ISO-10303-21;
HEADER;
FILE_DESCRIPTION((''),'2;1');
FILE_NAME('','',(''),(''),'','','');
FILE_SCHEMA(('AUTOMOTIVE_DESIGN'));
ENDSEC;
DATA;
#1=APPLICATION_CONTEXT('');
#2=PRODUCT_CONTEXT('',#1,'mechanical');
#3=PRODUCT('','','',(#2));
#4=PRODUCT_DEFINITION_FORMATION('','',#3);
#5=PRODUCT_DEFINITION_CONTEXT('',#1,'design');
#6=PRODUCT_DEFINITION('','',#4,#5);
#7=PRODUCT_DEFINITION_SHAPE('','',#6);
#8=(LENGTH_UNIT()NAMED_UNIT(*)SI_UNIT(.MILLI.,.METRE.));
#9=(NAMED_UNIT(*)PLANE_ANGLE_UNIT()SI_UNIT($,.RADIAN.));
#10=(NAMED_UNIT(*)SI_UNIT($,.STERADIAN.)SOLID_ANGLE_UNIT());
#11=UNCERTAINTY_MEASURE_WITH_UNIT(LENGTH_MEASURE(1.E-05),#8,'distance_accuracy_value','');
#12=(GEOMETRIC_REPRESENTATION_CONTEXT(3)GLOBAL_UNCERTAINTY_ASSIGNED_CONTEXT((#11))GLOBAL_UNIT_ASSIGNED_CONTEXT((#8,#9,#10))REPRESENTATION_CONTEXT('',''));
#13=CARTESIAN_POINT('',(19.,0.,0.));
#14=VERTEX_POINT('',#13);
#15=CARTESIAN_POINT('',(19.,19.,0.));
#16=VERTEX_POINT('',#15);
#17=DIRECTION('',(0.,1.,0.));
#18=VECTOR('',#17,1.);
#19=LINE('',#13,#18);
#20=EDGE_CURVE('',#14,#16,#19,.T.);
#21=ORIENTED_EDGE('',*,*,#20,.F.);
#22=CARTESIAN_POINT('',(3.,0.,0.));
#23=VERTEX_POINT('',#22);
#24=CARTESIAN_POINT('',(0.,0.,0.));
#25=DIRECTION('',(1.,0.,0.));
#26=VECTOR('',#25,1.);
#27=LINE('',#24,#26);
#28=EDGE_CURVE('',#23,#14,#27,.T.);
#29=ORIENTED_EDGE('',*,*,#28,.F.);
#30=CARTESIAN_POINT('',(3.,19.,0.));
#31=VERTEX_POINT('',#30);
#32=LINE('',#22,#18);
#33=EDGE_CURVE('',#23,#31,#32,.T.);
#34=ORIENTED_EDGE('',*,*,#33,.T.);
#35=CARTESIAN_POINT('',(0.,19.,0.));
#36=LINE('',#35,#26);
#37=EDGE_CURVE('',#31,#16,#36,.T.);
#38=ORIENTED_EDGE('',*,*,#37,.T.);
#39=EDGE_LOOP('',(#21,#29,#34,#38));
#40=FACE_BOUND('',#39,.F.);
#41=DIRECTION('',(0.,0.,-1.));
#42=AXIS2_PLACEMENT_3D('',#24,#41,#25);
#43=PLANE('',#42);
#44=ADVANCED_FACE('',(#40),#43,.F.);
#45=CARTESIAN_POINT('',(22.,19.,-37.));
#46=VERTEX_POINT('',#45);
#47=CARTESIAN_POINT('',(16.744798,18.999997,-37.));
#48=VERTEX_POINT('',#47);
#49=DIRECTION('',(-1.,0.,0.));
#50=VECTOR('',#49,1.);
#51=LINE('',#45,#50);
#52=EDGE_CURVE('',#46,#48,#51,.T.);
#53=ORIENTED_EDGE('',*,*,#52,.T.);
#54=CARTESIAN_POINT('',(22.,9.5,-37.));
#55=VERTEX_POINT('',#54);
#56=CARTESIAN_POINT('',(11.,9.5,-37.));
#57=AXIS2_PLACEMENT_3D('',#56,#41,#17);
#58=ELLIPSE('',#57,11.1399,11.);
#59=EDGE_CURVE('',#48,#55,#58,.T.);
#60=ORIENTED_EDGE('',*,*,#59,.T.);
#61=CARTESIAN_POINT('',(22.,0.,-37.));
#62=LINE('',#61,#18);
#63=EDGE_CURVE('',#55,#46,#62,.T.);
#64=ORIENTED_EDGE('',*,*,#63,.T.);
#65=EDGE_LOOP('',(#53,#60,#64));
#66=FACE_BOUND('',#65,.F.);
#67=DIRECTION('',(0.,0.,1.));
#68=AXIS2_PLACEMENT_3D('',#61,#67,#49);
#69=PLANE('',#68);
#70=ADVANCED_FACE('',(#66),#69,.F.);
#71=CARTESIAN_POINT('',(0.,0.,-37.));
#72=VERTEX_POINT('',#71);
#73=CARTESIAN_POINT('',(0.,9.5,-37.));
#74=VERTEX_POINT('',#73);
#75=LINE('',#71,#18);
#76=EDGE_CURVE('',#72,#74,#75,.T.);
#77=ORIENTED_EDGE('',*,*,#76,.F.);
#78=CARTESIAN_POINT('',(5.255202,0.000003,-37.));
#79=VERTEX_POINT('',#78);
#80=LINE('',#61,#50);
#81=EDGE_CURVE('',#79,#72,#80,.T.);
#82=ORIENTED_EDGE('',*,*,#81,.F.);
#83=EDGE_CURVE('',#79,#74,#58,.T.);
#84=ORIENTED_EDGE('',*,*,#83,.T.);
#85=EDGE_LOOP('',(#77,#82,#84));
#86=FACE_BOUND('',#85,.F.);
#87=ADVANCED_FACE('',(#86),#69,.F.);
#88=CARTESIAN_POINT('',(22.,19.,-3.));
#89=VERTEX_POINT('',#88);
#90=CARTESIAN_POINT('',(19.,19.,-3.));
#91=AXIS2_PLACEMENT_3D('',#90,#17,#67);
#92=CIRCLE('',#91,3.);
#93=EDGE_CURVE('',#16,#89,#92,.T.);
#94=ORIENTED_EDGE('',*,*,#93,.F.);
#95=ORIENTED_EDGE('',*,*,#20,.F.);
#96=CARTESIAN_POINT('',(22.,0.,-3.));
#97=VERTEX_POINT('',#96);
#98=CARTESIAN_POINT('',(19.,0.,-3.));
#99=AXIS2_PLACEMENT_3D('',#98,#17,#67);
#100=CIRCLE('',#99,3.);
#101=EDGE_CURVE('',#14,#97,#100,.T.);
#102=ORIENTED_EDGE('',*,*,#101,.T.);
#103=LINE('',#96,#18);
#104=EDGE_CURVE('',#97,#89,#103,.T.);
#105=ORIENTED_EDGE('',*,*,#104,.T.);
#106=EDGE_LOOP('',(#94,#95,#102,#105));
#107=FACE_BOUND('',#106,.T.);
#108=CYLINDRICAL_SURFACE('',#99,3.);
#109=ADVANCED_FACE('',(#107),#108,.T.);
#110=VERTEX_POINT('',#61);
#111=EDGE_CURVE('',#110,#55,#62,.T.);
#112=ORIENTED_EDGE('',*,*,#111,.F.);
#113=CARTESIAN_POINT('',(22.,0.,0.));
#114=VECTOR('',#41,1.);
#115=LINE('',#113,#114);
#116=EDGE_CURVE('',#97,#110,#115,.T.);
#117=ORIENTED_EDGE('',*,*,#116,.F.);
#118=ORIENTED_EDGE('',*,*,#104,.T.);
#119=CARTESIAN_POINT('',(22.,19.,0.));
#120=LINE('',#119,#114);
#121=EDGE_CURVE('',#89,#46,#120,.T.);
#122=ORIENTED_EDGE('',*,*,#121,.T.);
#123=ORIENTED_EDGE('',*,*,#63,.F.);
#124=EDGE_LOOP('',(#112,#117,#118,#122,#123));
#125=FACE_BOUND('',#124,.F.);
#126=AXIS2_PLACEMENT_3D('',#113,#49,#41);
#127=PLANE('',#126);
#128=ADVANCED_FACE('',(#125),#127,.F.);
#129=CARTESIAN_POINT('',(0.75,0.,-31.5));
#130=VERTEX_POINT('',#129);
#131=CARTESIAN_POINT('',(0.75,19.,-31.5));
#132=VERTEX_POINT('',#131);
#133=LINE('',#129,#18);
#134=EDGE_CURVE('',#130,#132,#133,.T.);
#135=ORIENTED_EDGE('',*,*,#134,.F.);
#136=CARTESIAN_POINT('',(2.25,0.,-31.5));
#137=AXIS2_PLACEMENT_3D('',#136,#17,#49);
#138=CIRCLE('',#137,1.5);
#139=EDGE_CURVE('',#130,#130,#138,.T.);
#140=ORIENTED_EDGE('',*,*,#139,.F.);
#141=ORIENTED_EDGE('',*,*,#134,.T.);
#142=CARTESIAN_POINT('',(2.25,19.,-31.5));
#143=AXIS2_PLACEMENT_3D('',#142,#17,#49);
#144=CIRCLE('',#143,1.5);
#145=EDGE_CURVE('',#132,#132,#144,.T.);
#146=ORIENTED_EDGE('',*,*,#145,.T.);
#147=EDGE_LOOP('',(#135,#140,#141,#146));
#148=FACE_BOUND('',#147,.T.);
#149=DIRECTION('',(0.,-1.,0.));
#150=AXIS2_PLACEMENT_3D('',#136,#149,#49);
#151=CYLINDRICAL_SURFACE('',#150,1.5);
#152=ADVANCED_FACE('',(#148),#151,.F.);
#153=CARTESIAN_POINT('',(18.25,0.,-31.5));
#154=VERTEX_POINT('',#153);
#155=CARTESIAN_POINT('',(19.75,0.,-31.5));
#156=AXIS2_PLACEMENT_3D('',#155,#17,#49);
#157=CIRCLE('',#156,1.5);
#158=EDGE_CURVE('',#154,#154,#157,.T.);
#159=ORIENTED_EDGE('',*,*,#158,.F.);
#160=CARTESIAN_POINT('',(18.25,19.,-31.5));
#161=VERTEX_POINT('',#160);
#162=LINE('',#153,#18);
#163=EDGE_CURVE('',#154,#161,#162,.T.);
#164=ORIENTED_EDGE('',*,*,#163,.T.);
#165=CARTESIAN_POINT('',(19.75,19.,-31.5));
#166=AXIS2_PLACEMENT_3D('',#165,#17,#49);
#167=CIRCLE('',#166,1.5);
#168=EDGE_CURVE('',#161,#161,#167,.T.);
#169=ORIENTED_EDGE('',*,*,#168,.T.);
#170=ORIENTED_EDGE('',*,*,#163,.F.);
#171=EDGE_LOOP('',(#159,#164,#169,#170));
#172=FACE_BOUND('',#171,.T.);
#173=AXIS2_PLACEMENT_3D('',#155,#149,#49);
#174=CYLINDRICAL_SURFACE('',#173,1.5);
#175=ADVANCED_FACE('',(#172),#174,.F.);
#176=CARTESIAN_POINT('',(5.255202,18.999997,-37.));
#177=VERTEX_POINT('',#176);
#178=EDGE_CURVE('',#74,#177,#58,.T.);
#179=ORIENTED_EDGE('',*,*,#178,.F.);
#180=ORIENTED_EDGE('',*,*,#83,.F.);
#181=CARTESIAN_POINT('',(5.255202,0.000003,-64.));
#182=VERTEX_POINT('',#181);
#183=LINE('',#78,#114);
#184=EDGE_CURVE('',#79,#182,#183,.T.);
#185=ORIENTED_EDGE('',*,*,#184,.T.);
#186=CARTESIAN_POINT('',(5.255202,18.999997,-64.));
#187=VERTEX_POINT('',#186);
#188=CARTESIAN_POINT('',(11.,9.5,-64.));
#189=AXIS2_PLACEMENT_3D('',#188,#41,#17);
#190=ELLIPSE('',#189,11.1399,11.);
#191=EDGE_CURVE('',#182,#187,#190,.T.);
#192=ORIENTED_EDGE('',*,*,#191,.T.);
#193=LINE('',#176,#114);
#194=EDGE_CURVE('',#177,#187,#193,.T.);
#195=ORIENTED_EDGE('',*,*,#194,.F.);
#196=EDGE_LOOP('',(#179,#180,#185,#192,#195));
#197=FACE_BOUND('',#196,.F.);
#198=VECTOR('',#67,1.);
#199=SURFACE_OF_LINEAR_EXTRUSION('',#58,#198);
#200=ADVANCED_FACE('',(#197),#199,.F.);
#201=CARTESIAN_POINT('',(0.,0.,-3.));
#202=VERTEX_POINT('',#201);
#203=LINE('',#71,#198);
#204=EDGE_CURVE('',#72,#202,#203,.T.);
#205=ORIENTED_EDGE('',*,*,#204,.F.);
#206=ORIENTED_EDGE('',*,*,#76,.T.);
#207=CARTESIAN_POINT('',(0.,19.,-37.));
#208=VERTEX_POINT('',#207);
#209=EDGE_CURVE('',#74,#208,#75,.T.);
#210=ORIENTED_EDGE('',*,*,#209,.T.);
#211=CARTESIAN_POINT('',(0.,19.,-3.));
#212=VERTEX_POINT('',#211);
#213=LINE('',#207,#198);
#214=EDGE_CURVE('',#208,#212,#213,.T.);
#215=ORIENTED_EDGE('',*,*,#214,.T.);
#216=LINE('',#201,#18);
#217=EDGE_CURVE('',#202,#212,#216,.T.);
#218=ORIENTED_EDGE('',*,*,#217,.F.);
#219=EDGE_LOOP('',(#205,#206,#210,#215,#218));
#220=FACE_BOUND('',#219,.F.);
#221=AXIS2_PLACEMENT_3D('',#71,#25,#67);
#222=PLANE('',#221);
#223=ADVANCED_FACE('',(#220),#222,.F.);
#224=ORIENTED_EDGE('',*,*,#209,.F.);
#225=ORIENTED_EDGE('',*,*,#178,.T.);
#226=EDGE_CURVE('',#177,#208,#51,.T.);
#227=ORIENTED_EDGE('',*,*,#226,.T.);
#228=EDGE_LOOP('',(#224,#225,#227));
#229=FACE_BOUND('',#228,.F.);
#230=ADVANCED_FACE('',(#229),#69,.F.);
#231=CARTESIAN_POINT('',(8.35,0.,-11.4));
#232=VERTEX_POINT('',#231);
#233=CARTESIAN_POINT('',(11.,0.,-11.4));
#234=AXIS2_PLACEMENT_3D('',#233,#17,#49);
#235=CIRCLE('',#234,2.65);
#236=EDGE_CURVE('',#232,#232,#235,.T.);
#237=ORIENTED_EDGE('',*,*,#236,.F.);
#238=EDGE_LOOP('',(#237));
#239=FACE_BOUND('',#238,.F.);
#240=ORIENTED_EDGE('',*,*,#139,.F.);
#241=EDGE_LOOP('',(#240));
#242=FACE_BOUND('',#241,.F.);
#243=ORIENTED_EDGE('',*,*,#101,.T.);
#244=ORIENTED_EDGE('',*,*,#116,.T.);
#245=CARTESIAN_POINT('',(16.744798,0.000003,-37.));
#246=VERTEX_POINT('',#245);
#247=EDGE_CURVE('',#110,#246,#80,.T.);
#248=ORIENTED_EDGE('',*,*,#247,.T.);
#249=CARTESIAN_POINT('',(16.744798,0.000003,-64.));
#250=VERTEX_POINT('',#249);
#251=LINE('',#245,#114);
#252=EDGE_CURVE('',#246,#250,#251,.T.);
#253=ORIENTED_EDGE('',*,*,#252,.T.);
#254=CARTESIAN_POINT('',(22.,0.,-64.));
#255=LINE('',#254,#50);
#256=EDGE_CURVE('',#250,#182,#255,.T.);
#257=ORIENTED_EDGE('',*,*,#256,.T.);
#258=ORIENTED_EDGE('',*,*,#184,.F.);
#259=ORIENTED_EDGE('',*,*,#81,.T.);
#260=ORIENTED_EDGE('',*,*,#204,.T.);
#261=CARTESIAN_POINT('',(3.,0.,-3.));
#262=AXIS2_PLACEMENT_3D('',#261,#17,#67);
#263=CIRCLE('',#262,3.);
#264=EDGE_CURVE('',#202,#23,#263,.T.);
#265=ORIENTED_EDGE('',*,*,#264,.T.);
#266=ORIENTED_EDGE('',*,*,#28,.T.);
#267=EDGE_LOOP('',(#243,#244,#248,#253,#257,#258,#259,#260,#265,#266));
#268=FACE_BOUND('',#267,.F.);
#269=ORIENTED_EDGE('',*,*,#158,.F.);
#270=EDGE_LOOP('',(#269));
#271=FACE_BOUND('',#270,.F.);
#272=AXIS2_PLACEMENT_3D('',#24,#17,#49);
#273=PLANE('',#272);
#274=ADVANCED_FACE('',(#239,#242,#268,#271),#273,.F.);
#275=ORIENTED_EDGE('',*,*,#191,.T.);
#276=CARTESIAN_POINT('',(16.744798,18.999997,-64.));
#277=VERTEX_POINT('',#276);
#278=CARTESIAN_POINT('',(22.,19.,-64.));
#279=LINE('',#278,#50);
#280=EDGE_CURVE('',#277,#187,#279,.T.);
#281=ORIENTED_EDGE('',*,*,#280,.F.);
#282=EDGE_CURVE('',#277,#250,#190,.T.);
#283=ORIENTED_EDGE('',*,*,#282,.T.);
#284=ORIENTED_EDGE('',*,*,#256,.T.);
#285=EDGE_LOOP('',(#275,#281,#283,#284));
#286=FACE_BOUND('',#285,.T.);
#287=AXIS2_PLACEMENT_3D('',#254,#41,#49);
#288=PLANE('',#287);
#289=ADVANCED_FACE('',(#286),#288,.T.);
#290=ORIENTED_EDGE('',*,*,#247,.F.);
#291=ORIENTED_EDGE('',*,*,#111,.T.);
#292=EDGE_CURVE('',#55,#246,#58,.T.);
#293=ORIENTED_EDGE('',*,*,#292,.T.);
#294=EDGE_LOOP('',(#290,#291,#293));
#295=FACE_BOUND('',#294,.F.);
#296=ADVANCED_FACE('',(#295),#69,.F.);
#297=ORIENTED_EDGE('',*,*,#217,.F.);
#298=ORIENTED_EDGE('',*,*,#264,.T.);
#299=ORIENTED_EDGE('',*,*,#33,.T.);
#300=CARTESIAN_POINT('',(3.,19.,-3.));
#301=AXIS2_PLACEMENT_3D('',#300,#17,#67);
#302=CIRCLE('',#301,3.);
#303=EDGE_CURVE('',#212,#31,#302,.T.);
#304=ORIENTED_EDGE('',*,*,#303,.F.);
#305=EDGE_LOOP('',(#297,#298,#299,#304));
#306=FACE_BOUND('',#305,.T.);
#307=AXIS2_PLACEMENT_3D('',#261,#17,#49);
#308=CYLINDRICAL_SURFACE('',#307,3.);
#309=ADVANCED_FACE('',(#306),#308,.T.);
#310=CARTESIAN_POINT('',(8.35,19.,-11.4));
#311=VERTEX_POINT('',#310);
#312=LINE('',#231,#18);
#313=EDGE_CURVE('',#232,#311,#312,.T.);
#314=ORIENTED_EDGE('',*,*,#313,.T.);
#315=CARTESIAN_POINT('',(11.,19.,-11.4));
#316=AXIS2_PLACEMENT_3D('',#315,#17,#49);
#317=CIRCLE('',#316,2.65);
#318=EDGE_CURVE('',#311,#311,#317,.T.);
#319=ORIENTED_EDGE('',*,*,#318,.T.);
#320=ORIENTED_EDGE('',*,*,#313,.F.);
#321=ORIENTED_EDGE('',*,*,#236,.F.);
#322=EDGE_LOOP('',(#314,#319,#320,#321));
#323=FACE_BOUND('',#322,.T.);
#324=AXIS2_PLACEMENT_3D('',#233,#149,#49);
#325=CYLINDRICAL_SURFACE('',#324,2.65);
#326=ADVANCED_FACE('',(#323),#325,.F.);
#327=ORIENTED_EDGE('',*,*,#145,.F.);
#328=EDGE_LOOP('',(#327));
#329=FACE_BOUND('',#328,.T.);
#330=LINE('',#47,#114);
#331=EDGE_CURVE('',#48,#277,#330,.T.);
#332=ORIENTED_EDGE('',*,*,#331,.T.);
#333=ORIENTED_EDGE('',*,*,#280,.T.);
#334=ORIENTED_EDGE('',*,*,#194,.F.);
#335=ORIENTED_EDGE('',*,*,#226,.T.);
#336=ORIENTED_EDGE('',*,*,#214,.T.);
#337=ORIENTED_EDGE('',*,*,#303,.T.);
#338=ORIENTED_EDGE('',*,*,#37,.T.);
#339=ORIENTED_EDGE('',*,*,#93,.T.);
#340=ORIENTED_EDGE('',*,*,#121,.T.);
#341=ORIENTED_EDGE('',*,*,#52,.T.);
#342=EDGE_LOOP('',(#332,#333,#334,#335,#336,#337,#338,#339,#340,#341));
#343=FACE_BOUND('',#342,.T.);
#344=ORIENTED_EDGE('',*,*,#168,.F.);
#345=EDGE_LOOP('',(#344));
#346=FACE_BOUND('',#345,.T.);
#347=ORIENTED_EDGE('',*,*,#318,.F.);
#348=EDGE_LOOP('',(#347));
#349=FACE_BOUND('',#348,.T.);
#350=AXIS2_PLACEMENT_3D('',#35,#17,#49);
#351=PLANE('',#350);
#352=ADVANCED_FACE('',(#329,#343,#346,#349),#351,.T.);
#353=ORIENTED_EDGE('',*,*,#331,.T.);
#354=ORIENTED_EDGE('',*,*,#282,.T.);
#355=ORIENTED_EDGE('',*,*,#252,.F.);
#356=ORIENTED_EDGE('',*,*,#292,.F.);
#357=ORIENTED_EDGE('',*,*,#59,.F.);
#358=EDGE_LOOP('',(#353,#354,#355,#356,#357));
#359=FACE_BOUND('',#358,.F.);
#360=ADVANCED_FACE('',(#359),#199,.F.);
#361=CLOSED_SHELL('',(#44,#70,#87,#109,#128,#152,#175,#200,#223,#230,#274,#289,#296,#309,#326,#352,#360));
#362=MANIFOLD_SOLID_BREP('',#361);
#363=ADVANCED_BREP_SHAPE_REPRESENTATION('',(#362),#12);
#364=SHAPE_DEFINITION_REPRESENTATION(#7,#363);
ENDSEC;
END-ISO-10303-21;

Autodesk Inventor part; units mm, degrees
ref_plane "YZ Plane" through (0, 0, 0) normal (1, 0, 0) x (0, 1, 0)
ref_plane "XZ Plane" through (0, 0, 0) normal (0, 1, 0) x (-1, 0, 0)
ref_plane "XY Plane" through (0, 0, 0) normal (0, 0, 1) x (1, 0, 0)
sketch "Sketch1" plane through (0, 0, 0) normal (0, 1, 0) x (-1, 0, 0)
  line L0 (0, 0) -> (-22, 0)
  line L1 (-22, 0) -> (-22, -37)
  line L2 (-22, -37) -> (0, -37)
  line L3 (0, -37) -> (0, 0)
  line L4 (-11, -37) -> (-11, 0) construction
  circle A0 centre (-11, -11.4) radius 2.65
  circle A1 centre (-19.75, -31.5) radius 1.5
  circle A2 centre (-2.25, -31.5) radius 1.5
  dimension "gearboxWidth" = 22
  dimension "gearboxLength" = 37
  dimension "shaftDiameter" = 5.3
  dimension "shaftCenterToBottom" = 11.4
  dimension "mountHolesDiameter" = 3
  dimension "mountHolesCenterToCenter" = 17.5
  dimension "mountHolesCenterToEdge" = 5.5
extrude "Extrusion1" add sketch "Sketch1" along normal blind 19
sketch "Sketch2" plane through (22, 0, -37) normal (0, 0, -1) x (-1, 0, 0)
  line L0 (0, 19) -> (22, 19) projected
  line L1 (11, 19) -> (11, 0) construction
  line L2 (0, 0) -> (22, 0) projected
  ellipse E0 centre (11, 9.5) end of major axis (22, 9.5) minor radius 11.1399 (16.7448, 0) -> (16.7448, 19) ccw
  ellipse E1 centre (11, 9.5) end of major axis (22, 9.5) minor radius 11.1399 (5.2552, 19) -> (5.2552, 0) ccw
  line L3 (5.2552, 19) -> (16.7448, 19)
  line L4 (5.2552, 0) -> (16.7448, 0)
extrude "Extrusion2" add sketch "Sketch2" along normal blind 27
fillet "Fillet1" radius 3 2 edges at (0, 9.5, 0) (22, 9.5, 0)
properties part number "Yellow_Motor"
